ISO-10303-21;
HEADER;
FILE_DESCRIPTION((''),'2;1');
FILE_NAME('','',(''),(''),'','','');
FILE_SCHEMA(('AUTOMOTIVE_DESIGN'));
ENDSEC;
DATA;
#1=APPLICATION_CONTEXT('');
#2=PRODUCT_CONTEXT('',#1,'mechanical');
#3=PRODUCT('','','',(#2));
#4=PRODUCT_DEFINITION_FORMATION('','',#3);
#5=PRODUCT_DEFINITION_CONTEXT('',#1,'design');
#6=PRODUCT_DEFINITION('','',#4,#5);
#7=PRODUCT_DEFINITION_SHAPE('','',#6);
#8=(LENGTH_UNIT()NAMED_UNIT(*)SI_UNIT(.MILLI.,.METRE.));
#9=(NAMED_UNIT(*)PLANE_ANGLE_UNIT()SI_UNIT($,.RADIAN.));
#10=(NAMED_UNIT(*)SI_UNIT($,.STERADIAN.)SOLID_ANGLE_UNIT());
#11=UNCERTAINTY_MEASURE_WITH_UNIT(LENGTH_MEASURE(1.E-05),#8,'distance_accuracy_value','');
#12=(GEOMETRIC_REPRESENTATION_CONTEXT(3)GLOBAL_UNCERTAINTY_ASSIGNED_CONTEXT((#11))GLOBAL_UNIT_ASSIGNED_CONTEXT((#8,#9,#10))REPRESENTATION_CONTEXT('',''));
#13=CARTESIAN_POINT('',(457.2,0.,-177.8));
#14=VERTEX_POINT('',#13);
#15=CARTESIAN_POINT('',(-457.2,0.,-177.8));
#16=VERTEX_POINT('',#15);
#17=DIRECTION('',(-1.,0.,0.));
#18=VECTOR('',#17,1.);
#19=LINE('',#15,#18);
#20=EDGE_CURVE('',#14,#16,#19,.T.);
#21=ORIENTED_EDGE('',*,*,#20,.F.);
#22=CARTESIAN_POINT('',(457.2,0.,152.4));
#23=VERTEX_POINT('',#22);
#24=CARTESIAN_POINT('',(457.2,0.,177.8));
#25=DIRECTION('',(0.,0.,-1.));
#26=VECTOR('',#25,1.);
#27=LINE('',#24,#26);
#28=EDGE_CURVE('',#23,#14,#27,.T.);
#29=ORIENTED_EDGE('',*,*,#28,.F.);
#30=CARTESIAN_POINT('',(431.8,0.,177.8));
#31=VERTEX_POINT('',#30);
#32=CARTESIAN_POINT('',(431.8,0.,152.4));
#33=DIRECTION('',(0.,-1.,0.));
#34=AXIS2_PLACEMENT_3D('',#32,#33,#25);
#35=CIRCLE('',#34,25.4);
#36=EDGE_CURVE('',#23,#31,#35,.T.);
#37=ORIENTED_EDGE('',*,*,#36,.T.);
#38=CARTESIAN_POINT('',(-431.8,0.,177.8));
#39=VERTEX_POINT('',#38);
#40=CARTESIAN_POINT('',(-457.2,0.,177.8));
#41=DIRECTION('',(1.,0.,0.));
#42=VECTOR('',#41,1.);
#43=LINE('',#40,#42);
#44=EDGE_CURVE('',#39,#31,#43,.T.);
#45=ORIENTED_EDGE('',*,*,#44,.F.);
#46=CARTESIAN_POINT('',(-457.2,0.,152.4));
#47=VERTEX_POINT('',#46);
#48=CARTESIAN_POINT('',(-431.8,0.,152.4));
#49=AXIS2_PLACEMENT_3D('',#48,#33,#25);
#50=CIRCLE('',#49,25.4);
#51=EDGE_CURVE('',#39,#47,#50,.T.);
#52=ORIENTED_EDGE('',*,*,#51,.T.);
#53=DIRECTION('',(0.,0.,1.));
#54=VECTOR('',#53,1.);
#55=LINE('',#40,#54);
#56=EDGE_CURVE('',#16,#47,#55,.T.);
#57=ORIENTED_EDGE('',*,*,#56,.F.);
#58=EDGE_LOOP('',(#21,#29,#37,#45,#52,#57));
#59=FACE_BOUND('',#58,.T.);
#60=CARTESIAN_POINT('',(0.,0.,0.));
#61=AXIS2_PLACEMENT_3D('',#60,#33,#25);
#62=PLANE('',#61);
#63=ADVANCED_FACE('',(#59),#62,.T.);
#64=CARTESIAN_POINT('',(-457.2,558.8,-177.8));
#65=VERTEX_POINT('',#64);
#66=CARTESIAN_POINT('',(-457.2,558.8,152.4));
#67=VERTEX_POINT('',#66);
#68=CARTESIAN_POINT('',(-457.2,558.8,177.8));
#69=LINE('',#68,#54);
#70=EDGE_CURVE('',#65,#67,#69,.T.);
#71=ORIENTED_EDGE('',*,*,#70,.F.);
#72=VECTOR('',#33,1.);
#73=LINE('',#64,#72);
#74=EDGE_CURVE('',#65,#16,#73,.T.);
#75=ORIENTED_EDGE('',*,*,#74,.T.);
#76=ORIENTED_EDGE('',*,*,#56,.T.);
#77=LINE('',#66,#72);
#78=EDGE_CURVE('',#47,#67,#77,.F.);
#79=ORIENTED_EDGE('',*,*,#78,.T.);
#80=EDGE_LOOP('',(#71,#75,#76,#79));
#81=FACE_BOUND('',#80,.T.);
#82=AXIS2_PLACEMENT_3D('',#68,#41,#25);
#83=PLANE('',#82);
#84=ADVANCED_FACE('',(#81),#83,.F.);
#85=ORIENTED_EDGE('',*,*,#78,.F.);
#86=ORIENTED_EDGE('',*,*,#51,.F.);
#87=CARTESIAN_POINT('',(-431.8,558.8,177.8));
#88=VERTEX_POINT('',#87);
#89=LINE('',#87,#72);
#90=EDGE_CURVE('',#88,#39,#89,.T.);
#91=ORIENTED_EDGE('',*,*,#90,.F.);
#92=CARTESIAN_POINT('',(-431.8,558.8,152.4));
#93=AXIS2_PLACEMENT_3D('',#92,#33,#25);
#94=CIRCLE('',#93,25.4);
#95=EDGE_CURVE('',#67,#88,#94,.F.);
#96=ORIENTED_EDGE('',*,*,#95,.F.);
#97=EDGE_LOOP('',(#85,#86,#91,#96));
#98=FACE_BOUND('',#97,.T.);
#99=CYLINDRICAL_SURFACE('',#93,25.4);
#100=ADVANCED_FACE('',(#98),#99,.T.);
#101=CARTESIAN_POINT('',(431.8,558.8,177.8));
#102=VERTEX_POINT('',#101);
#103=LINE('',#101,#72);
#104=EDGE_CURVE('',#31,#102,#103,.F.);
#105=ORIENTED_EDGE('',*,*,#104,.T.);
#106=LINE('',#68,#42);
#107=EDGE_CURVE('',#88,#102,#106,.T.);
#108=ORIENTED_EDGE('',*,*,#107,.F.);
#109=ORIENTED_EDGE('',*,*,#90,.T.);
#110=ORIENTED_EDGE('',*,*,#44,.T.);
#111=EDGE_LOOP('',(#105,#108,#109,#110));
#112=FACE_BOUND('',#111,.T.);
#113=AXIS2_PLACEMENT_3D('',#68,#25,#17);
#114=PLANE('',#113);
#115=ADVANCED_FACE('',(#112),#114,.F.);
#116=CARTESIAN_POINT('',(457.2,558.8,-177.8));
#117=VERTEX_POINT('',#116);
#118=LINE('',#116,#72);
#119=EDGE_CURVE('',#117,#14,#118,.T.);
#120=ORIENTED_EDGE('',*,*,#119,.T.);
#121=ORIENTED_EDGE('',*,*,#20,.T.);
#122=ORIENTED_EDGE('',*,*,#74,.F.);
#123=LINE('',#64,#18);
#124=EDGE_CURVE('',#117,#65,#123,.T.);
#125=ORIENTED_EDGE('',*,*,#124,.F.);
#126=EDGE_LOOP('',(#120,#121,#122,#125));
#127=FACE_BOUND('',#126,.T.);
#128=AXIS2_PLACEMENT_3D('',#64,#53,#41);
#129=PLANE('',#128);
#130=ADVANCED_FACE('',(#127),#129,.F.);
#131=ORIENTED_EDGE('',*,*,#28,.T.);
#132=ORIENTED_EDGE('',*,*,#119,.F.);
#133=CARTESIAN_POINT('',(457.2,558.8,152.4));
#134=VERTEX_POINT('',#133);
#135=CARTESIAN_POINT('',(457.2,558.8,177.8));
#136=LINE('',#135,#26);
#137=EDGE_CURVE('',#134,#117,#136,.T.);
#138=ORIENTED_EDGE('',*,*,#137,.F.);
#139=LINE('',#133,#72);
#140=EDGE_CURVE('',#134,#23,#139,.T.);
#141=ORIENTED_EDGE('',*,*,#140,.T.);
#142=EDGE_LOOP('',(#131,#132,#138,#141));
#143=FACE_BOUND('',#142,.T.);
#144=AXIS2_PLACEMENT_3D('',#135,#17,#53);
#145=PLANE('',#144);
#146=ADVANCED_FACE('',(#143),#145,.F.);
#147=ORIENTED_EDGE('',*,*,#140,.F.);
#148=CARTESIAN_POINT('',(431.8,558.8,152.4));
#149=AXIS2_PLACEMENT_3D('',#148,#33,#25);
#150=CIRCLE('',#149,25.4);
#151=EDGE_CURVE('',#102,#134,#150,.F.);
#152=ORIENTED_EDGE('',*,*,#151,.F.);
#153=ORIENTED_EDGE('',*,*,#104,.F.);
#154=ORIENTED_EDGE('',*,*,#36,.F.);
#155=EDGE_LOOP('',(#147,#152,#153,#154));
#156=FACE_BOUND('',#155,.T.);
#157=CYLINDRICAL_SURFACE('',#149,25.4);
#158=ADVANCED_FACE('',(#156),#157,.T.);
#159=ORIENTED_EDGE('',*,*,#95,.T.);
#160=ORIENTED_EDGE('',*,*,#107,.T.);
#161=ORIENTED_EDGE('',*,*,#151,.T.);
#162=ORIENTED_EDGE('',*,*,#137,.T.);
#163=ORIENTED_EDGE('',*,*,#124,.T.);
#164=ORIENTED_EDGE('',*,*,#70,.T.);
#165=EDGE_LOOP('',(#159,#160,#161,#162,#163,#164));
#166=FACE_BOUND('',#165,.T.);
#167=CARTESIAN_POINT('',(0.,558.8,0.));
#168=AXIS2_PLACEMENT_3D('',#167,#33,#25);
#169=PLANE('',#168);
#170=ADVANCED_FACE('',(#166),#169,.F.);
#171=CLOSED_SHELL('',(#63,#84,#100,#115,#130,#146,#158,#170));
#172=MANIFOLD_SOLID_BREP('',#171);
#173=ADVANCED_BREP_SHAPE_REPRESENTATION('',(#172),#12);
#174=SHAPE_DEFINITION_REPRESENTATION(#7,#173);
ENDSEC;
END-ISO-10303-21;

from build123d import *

# Parameters (mm, degrees)
SKETCH1_W           = 914.4
SKETCH1_H           = 355.6
BOSS_EXTRUDE1_DEPTH = 558.8
FILLET1_R           = 25.4


with BuildPart() as part:
    # Sketch1 → Boss-Extrude1 (new body)
    with BuildSketch(Plane(origin=(0, 0, 0), x_dir=(1, 0, 0), z_dir=(0, 1, 0))):
        Rectangle(SKETCH1_W, SKETCH1_H)
    extrude(amount=BOSS_EXTRUDE1_DEPTH)

    # Fillet1
    fillet1_edges = [part.edges().sort_by_distance(p)[0] for p in [
        (457.2, 279.4, 177.8),
        (-457.2, 279.4, 177.8),
    ]]
    fillet(fillet1_edges, radius=FILLET1_R)


solid = part.part
